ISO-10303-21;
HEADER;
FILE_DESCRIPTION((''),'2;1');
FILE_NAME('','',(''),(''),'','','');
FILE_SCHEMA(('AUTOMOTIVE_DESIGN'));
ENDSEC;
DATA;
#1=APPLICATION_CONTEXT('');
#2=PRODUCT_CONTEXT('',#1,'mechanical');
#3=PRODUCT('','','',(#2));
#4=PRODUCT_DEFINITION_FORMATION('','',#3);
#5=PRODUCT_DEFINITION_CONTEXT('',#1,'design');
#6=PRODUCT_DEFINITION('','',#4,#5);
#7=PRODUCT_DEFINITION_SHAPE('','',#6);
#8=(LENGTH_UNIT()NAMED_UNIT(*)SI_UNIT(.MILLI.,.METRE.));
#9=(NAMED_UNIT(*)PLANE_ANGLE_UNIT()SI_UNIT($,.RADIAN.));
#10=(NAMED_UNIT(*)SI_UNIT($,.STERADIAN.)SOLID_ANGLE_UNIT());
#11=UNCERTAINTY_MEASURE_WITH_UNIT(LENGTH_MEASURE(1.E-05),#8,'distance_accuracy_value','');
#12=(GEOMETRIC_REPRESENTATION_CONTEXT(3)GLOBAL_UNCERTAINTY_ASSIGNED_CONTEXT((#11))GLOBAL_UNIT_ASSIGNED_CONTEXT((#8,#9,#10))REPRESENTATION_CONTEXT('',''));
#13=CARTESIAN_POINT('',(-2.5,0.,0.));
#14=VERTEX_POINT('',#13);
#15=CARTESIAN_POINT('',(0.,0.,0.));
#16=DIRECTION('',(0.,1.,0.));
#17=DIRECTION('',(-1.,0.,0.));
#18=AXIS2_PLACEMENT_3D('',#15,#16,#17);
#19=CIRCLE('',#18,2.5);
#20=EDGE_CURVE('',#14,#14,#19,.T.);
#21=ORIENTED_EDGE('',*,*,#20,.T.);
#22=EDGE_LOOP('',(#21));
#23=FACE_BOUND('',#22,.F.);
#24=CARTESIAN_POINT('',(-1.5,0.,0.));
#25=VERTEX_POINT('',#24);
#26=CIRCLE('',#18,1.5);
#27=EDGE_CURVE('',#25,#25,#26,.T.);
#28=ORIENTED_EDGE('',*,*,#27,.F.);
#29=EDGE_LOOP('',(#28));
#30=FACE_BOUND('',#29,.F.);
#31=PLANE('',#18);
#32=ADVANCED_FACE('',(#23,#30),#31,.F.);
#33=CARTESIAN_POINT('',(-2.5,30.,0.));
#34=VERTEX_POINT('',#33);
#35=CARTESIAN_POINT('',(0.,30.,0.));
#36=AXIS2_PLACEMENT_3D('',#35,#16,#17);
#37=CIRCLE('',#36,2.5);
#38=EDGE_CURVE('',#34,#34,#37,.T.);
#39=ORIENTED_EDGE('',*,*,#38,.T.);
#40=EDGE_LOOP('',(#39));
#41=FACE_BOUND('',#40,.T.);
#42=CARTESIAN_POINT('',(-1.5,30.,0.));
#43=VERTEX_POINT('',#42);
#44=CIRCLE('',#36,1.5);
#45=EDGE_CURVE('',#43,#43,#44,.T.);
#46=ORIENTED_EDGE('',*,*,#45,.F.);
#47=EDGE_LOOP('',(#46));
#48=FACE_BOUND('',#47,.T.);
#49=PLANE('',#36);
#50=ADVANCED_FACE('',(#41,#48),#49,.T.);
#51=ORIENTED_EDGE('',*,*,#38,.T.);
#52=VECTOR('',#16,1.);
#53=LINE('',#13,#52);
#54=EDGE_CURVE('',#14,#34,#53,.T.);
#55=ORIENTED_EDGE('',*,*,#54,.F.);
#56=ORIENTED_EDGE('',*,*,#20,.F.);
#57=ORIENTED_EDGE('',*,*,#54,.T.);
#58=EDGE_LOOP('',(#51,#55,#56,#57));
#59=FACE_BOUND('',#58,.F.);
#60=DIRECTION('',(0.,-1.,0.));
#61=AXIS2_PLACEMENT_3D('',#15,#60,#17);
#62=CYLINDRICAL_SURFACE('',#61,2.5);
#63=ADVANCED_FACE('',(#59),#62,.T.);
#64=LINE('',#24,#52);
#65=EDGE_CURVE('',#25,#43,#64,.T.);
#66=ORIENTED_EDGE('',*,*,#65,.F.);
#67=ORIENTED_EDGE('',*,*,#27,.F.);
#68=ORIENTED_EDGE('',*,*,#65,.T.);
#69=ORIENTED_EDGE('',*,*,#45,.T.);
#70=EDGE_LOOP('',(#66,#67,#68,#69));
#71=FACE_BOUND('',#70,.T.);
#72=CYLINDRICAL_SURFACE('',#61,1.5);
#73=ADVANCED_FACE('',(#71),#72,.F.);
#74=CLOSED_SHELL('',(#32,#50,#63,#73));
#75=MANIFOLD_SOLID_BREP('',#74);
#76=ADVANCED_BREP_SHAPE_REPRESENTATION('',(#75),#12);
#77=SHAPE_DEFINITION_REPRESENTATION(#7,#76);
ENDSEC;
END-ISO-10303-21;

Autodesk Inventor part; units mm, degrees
ref_plane "YZ Plane" through (0, 0, 0) normal (1, 0, 0) x (0, 1, 0)
ref_plane "XZ Plane" through (0, 0, 0) normal (0, 1, 0) x (-1, 0, 0)
ref_plane "XY Plane" through (0, 0, 0) normal (0, 0, 1) x (1, 0, 0)
sketch "Sketch1" plane through (0, 0, 0) normal (0, 1, 0) x (-1, 0, 0)
  circle A0 centre (0, 0) radius 2.5
  circle A1 centre (0, 0) radius 1.5
  dimension "d0" = 3
  dimension "d1" = 5
extrude "Extrusion1" add sketch "Sketch1" along normal blind 30
properties part number "Ceramics_30_5_3"
